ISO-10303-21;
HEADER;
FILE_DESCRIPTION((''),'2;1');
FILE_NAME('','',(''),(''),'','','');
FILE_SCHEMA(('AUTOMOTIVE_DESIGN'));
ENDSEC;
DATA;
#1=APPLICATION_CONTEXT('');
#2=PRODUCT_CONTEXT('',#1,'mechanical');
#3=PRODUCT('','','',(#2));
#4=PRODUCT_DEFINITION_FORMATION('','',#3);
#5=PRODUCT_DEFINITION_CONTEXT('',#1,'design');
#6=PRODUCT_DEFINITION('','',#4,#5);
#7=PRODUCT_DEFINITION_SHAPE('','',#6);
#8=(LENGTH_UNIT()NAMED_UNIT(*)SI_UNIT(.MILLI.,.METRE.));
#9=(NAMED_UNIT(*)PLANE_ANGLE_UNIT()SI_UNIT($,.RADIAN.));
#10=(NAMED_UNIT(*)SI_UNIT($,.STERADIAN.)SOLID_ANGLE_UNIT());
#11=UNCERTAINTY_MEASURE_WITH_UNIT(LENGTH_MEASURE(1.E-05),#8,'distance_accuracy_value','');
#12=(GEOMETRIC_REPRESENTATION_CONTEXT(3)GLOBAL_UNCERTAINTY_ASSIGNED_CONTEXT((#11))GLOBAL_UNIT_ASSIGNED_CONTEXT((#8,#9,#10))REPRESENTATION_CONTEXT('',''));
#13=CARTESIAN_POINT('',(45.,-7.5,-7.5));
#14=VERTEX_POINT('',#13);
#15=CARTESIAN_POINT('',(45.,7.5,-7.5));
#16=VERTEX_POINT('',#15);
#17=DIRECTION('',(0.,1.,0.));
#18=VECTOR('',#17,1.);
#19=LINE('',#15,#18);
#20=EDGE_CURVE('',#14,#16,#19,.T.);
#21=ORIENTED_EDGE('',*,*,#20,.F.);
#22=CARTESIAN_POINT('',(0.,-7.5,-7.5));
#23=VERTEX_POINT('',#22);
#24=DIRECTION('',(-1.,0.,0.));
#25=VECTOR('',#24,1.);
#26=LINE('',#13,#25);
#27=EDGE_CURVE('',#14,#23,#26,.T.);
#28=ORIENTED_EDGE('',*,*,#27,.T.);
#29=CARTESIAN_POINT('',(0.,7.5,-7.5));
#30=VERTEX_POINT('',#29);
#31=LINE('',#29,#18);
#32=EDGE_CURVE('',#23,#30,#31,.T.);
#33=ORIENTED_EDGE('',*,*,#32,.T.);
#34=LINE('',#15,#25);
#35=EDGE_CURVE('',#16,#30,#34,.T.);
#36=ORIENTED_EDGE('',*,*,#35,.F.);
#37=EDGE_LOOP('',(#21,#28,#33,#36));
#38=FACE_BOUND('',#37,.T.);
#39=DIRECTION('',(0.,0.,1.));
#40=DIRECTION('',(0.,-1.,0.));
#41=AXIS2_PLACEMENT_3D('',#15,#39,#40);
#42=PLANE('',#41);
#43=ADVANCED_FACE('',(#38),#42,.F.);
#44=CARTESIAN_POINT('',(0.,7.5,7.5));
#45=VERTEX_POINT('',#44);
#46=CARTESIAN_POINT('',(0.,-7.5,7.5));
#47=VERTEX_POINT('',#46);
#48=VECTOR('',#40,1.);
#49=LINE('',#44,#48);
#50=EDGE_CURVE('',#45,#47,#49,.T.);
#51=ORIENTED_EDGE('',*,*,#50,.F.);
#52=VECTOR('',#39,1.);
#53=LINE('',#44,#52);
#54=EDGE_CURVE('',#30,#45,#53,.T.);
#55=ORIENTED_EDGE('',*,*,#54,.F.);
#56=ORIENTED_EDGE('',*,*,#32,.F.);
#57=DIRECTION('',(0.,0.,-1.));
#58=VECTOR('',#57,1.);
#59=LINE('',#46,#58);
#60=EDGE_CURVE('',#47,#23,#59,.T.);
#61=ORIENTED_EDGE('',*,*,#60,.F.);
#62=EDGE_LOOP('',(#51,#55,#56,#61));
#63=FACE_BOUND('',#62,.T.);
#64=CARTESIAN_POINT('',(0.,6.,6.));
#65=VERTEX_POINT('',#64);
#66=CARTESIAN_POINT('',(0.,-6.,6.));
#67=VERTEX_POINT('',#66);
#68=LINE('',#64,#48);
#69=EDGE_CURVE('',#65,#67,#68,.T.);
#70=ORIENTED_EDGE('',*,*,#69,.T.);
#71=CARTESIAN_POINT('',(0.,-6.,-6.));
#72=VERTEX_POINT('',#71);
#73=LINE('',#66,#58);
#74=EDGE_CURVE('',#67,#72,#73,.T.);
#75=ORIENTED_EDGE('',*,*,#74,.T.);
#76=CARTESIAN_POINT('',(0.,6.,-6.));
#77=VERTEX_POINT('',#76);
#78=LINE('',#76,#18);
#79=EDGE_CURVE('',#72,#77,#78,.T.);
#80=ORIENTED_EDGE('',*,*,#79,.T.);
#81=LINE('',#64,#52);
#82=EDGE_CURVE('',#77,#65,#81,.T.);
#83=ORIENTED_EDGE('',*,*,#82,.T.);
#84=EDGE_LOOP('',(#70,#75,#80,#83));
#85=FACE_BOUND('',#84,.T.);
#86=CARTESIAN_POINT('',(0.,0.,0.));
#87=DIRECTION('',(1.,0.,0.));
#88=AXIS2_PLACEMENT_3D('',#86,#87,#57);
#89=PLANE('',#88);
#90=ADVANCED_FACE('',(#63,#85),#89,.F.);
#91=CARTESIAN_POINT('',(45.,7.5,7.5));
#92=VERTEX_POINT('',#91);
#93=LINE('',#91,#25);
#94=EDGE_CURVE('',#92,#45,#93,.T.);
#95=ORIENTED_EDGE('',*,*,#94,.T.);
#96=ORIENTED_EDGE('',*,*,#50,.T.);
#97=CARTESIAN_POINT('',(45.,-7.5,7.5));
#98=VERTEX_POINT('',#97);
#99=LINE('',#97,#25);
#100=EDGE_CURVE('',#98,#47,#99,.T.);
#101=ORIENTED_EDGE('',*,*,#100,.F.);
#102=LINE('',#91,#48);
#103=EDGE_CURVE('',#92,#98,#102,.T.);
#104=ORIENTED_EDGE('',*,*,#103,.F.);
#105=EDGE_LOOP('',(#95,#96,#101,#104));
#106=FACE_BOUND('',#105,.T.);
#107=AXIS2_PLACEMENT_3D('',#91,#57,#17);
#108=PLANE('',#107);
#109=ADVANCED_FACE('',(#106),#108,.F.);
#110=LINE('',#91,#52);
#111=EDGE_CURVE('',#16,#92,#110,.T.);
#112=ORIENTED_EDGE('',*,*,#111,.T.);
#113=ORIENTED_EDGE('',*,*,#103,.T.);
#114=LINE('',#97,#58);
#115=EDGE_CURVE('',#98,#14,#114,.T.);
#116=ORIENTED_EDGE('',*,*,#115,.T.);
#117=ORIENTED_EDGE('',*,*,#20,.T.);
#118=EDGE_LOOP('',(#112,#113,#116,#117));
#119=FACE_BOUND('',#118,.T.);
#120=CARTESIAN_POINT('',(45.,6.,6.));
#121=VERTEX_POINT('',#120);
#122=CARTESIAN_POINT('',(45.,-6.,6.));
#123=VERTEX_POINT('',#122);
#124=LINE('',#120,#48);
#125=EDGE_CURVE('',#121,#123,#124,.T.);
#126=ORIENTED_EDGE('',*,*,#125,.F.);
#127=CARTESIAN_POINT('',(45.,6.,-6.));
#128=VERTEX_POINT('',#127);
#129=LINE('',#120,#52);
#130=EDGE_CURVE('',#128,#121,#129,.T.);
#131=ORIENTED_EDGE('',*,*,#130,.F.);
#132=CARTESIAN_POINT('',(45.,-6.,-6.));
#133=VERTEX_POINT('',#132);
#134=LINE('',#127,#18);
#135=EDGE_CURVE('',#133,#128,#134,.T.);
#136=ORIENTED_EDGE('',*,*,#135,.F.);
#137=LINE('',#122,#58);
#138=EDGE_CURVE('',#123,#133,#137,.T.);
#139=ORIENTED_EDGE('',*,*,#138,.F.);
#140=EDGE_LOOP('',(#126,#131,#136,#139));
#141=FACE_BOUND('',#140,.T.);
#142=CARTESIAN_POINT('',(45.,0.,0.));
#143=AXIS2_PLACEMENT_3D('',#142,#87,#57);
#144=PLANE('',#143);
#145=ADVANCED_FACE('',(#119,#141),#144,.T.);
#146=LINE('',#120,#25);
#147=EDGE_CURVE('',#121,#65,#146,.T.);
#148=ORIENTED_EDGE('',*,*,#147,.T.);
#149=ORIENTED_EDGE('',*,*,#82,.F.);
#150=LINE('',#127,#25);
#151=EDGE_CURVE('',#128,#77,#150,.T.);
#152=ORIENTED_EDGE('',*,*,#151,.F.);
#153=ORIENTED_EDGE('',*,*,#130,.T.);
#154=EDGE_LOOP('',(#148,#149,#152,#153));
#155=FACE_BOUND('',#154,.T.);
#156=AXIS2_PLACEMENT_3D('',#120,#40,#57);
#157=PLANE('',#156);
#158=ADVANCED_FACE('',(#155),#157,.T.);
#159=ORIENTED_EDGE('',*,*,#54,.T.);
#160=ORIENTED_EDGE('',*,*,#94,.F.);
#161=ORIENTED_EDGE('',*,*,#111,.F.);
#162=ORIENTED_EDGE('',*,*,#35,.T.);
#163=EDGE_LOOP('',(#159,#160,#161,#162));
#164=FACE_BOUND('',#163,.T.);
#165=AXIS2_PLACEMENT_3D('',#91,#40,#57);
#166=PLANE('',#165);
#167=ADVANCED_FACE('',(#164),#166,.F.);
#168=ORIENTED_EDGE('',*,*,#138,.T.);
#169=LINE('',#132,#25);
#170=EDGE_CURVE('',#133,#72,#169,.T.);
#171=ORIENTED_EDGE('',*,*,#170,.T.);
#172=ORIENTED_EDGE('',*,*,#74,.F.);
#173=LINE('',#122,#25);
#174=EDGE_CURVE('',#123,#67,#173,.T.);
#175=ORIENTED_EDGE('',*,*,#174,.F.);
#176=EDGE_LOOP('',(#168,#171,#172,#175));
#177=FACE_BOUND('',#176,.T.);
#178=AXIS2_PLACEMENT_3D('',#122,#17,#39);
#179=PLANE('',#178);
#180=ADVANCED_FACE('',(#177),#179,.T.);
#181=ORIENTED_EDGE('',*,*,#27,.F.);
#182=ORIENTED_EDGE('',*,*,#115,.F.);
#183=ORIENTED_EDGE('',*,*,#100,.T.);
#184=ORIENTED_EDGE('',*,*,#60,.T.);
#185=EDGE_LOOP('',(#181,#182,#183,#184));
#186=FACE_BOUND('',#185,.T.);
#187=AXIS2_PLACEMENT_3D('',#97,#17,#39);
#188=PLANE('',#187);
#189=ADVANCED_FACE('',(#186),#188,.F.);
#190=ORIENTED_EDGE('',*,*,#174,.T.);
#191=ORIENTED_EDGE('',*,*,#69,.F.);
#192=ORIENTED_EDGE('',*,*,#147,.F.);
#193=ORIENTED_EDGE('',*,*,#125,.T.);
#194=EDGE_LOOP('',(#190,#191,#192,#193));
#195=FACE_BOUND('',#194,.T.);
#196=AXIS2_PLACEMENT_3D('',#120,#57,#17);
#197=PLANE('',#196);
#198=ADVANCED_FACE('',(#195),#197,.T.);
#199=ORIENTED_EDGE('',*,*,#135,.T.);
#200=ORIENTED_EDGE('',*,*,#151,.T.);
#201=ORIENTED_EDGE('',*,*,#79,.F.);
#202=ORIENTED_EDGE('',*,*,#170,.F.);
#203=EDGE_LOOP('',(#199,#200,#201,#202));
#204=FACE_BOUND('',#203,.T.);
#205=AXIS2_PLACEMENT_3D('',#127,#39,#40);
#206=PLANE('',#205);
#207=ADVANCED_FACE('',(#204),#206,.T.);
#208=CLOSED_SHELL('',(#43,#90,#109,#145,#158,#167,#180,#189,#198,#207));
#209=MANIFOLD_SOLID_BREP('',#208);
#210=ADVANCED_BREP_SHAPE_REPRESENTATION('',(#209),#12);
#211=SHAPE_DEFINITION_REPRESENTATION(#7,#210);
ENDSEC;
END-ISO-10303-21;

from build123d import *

# Parameters (mm, degrees)
SKETCH1_W           = 15
SKETCH1_H           = 15
SKETCH1_W_2         = 12
SKETCH1_H_2         = 12
BOSS_EXTRUDE1_DEPTH = 45


with BuildPart() as part:
    # Sketch1 → Boss-Extrude1 (new body)
    with BuildSketch(Plane(origin=(0, 0, 0), x_dir=(0, 0, -1), z_dir=(1, 0, 0))):
        Rectangle(SKETCH1_W, SKETCH1_H)
        Rectangle(SKETCH1_W_2, SKETCH1_H_2, mode=Mode.SUBTRACT)
    extrude(amount=BOSS_EXTRUDE1_DEPTH)


solid = part.part
